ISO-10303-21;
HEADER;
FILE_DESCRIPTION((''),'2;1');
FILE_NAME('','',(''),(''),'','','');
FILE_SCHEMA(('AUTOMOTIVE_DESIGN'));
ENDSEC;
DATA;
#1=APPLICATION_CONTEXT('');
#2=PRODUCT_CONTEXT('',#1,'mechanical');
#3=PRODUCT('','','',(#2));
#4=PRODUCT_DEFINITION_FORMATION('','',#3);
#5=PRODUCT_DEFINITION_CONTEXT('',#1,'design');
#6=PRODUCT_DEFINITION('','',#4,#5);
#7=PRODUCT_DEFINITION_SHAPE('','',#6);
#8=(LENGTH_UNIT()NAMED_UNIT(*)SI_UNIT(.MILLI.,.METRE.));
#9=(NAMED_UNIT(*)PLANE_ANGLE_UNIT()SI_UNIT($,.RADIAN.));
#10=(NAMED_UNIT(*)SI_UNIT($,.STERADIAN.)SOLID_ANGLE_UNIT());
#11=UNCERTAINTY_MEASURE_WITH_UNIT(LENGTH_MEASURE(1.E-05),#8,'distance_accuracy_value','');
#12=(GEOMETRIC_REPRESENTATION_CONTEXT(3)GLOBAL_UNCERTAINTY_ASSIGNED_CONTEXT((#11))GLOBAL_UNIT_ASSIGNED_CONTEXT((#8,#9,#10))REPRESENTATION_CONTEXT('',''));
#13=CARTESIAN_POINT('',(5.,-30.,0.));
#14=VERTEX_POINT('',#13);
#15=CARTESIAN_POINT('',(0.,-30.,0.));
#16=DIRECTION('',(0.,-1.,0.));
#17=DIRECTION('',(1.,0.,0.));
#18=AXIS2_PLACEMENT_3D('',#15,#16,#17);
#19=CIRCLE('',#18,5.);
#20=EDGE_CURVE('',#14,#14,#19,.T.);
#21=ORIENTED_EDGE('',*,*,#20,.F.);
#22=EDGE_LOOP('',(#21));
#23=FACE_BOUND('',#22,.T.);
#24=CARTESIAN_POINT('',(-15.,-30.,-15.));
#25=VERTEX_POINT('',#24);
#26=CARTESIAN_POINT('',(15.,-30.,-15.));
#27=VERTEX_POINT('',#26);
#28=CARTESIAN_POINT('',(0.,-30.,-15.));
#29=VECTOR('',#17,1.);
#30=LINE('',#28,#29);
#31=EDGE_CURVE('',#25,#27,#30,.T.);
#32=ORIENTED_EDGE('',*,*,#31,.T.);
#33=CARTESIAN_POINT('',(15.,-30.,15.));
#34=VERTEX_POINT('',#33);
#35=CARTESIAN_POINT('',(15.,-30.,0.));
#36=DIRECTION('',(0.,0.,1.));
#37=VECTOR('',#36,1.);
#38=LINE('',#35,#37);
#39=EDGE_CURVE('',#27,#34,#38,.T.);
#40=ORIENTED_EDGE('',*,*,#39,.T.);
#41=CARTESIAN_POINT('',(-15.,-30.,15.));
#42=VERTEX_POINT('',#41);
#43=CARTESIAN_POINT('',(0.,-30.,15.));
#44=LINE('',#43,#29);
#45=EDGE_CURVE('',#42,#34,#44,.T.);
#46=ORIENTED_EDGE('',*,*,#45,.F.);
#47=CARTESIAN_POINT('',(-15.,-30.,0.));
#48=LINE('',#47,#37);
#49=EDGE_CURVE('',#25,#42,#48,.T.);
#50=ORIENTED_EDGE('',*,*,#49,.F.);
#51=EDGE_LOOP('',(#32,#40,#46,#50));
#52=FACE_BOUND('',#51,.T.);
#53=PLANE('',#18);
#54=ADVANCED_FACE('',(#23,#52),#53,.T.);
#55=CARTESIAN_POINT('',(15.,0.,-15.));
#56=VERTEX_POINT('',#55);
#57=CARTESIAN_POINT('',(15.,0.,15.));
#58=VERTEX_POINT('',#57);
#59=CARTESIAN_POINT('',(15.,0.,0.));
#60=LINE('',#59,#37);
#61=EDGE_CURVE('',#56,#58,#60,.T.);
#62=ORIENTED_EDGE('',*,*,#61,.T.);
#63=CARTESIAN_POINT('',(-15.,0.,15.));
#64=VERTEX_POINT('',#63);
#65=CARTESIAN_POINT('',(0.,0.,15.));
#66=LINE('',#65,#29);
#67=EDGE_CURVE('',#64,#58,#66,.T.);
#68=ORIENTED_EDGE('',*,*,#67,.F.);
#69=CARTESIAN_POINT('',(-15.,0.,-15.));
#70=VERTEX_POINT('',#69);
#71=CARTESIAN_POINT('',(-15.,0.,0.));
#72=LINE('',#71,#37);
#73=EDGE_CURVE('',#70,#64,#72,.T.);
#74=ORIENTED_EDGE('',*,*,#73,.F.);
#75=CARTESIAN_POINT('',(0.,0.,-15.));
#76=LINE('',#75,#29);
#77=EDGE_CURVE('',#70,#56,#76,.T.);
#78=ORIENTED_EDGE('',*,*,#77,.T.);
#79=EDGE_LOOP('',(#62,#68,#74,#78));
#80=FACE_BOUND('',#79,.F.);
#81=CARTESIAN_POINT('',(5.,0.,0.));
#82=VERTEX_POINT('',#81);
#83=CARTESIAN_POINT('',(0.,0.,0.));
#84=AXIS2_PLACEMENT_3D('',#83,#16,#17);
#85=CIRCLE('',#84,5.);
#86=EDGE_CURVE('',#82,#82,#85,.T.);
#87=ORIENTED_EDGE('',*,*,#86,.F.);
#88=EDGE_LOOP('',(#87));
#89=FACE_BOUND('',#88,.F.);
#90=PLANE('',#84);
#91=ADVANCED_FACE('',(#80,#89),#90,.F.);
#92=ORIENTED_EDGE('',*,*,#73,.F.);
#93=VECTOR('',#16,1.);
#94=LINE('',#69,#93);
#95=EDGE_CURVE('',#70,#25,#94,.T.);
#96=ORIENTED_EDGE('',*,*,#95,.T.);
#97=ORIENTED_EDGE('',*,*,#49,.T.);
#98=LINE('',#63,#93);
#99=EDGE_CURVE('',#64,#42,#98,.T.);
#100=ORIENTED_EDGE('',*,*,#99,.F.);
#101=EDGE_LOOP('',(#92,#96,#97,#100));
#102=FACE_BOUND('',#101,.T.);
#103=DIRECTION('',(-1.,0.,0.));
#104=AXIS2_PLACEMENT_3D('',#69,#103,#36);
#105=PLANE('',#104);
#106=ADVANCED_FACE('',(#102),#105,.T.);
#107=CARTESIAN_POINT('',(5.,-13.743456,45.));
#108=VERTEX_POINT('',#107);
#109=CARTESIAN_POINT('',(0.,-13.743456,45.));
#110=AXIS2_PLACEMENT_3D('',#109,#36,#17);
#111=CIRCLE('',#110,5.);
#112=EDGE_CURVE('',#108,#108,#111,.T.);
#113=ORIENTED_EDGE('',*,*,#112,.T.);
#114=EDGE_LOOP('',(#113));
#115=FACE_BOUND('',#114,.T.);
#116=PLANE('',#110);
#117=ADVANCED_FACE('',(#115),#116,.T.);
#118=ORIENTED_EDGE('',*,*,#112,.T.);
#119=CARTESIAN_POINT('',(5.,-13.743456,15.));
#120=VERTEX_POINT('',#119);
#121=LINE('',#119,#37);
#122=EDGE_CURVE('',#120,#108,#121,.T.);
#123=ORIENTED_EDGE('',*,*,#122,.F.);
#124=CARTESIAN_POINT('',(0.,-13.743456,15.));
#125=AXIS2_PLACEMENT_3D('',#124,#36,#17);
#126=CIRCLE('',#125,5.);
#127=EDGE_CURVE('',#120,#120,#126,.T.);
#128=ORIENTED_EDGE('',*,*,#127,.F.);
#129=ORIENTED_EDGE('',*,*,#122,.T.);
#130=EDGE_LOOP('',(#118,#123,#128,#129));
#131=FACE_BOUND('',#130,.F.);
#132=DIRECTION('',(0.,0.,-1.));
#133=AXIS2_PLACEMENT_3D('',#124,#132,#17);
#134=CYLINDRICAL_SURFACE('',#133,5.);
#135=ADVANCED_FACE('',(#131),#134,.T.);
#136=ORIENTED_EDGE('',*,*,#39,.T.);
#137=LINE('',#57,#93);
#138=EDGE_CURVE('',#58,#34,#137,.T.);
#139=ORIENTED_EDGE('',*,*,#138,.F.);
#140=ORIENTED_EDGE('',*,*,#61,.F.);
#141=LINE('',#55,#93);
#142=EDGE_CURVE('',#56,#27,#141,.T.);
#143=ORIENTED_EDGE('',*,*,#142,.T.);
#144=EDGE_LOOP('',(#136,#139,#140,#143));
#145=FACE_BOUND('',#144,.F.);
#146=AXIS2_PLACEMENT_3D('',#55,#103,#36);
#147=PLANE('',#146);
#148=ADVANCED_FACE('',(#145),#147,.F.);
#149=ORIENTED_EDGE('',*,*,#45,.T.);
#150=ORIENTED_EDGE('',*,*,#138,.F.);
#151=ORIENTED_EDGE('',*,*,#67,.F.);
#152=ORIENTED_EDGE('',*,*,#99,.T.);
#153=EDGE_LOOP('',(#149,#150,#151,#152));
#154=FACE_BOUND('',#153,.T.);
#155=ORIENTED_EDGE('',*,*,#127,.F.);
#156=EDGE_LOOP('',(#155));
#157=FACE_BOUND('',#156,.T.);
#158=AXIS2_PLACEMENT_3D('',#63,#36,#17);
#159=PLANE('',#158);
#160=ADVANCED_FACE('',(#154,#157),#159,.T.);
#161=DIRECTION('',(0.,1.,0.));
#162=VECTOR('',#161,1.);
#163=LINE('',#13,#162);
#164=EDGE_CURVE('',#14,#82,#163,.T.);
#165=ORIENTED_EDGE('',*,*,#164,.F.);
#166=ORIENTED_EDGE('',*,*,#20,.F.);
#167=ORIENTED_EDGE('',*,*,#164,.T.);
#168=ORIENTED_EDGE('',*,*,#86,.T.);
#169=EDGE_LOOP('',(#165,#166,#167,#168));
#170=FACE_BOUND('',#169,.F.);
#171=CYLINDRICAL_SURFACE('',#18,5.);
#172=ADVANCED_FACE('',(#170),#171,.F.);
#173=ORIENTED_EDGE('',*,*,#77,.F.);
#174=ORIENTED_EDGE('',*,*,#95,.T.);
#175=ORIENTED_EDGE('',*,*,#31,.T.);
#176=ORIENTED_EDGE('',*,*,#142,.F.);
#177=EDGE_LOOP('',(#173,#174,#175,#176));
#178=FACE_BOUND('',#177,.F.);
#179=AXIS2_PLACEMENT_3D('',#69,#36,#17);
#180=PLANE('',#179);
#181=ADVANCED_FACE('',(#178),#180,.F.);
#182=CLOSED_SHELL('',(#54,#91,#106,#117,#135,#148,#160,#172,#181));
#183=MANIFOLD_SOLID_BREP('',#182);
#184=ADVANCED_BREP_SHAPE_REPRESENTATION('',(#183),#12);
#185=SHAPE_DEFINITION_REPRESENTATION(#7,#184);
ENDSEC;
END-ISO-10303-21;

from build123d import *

# Parameters (mm, degrees)
F0_W     = 30
F0_H     = 30
F1_DEPTH = 30
F3_R     = 5
F4_DEPTH = 30.2
F5_R     = 5
F6_DEPTH = 30


with BuildPart() as f1:
    # F0 (on Front) → F1 (new body)
    with BuildSketch(Plane.XZ):
        Rectangle(F0_W, F0_H)
    extrude(amount=F1_DEPTH)

    # F3 (on face) → F4 (cut)
    with BuildSketch(Plane.XZ.offset(30)):
        Circle(F3_R)
    extrude(amount=-F4_DEPTH, mode=Mode.SUBTRACT)

    # F5 (on face) → F6 (join)
    with BuildSketch(Plane.XY.offset(15)):
        with Locations((0, -13.743456)):
            Circle(F5_R)
    extrude(amount=F6_DEPTH)


solid = f1.part
